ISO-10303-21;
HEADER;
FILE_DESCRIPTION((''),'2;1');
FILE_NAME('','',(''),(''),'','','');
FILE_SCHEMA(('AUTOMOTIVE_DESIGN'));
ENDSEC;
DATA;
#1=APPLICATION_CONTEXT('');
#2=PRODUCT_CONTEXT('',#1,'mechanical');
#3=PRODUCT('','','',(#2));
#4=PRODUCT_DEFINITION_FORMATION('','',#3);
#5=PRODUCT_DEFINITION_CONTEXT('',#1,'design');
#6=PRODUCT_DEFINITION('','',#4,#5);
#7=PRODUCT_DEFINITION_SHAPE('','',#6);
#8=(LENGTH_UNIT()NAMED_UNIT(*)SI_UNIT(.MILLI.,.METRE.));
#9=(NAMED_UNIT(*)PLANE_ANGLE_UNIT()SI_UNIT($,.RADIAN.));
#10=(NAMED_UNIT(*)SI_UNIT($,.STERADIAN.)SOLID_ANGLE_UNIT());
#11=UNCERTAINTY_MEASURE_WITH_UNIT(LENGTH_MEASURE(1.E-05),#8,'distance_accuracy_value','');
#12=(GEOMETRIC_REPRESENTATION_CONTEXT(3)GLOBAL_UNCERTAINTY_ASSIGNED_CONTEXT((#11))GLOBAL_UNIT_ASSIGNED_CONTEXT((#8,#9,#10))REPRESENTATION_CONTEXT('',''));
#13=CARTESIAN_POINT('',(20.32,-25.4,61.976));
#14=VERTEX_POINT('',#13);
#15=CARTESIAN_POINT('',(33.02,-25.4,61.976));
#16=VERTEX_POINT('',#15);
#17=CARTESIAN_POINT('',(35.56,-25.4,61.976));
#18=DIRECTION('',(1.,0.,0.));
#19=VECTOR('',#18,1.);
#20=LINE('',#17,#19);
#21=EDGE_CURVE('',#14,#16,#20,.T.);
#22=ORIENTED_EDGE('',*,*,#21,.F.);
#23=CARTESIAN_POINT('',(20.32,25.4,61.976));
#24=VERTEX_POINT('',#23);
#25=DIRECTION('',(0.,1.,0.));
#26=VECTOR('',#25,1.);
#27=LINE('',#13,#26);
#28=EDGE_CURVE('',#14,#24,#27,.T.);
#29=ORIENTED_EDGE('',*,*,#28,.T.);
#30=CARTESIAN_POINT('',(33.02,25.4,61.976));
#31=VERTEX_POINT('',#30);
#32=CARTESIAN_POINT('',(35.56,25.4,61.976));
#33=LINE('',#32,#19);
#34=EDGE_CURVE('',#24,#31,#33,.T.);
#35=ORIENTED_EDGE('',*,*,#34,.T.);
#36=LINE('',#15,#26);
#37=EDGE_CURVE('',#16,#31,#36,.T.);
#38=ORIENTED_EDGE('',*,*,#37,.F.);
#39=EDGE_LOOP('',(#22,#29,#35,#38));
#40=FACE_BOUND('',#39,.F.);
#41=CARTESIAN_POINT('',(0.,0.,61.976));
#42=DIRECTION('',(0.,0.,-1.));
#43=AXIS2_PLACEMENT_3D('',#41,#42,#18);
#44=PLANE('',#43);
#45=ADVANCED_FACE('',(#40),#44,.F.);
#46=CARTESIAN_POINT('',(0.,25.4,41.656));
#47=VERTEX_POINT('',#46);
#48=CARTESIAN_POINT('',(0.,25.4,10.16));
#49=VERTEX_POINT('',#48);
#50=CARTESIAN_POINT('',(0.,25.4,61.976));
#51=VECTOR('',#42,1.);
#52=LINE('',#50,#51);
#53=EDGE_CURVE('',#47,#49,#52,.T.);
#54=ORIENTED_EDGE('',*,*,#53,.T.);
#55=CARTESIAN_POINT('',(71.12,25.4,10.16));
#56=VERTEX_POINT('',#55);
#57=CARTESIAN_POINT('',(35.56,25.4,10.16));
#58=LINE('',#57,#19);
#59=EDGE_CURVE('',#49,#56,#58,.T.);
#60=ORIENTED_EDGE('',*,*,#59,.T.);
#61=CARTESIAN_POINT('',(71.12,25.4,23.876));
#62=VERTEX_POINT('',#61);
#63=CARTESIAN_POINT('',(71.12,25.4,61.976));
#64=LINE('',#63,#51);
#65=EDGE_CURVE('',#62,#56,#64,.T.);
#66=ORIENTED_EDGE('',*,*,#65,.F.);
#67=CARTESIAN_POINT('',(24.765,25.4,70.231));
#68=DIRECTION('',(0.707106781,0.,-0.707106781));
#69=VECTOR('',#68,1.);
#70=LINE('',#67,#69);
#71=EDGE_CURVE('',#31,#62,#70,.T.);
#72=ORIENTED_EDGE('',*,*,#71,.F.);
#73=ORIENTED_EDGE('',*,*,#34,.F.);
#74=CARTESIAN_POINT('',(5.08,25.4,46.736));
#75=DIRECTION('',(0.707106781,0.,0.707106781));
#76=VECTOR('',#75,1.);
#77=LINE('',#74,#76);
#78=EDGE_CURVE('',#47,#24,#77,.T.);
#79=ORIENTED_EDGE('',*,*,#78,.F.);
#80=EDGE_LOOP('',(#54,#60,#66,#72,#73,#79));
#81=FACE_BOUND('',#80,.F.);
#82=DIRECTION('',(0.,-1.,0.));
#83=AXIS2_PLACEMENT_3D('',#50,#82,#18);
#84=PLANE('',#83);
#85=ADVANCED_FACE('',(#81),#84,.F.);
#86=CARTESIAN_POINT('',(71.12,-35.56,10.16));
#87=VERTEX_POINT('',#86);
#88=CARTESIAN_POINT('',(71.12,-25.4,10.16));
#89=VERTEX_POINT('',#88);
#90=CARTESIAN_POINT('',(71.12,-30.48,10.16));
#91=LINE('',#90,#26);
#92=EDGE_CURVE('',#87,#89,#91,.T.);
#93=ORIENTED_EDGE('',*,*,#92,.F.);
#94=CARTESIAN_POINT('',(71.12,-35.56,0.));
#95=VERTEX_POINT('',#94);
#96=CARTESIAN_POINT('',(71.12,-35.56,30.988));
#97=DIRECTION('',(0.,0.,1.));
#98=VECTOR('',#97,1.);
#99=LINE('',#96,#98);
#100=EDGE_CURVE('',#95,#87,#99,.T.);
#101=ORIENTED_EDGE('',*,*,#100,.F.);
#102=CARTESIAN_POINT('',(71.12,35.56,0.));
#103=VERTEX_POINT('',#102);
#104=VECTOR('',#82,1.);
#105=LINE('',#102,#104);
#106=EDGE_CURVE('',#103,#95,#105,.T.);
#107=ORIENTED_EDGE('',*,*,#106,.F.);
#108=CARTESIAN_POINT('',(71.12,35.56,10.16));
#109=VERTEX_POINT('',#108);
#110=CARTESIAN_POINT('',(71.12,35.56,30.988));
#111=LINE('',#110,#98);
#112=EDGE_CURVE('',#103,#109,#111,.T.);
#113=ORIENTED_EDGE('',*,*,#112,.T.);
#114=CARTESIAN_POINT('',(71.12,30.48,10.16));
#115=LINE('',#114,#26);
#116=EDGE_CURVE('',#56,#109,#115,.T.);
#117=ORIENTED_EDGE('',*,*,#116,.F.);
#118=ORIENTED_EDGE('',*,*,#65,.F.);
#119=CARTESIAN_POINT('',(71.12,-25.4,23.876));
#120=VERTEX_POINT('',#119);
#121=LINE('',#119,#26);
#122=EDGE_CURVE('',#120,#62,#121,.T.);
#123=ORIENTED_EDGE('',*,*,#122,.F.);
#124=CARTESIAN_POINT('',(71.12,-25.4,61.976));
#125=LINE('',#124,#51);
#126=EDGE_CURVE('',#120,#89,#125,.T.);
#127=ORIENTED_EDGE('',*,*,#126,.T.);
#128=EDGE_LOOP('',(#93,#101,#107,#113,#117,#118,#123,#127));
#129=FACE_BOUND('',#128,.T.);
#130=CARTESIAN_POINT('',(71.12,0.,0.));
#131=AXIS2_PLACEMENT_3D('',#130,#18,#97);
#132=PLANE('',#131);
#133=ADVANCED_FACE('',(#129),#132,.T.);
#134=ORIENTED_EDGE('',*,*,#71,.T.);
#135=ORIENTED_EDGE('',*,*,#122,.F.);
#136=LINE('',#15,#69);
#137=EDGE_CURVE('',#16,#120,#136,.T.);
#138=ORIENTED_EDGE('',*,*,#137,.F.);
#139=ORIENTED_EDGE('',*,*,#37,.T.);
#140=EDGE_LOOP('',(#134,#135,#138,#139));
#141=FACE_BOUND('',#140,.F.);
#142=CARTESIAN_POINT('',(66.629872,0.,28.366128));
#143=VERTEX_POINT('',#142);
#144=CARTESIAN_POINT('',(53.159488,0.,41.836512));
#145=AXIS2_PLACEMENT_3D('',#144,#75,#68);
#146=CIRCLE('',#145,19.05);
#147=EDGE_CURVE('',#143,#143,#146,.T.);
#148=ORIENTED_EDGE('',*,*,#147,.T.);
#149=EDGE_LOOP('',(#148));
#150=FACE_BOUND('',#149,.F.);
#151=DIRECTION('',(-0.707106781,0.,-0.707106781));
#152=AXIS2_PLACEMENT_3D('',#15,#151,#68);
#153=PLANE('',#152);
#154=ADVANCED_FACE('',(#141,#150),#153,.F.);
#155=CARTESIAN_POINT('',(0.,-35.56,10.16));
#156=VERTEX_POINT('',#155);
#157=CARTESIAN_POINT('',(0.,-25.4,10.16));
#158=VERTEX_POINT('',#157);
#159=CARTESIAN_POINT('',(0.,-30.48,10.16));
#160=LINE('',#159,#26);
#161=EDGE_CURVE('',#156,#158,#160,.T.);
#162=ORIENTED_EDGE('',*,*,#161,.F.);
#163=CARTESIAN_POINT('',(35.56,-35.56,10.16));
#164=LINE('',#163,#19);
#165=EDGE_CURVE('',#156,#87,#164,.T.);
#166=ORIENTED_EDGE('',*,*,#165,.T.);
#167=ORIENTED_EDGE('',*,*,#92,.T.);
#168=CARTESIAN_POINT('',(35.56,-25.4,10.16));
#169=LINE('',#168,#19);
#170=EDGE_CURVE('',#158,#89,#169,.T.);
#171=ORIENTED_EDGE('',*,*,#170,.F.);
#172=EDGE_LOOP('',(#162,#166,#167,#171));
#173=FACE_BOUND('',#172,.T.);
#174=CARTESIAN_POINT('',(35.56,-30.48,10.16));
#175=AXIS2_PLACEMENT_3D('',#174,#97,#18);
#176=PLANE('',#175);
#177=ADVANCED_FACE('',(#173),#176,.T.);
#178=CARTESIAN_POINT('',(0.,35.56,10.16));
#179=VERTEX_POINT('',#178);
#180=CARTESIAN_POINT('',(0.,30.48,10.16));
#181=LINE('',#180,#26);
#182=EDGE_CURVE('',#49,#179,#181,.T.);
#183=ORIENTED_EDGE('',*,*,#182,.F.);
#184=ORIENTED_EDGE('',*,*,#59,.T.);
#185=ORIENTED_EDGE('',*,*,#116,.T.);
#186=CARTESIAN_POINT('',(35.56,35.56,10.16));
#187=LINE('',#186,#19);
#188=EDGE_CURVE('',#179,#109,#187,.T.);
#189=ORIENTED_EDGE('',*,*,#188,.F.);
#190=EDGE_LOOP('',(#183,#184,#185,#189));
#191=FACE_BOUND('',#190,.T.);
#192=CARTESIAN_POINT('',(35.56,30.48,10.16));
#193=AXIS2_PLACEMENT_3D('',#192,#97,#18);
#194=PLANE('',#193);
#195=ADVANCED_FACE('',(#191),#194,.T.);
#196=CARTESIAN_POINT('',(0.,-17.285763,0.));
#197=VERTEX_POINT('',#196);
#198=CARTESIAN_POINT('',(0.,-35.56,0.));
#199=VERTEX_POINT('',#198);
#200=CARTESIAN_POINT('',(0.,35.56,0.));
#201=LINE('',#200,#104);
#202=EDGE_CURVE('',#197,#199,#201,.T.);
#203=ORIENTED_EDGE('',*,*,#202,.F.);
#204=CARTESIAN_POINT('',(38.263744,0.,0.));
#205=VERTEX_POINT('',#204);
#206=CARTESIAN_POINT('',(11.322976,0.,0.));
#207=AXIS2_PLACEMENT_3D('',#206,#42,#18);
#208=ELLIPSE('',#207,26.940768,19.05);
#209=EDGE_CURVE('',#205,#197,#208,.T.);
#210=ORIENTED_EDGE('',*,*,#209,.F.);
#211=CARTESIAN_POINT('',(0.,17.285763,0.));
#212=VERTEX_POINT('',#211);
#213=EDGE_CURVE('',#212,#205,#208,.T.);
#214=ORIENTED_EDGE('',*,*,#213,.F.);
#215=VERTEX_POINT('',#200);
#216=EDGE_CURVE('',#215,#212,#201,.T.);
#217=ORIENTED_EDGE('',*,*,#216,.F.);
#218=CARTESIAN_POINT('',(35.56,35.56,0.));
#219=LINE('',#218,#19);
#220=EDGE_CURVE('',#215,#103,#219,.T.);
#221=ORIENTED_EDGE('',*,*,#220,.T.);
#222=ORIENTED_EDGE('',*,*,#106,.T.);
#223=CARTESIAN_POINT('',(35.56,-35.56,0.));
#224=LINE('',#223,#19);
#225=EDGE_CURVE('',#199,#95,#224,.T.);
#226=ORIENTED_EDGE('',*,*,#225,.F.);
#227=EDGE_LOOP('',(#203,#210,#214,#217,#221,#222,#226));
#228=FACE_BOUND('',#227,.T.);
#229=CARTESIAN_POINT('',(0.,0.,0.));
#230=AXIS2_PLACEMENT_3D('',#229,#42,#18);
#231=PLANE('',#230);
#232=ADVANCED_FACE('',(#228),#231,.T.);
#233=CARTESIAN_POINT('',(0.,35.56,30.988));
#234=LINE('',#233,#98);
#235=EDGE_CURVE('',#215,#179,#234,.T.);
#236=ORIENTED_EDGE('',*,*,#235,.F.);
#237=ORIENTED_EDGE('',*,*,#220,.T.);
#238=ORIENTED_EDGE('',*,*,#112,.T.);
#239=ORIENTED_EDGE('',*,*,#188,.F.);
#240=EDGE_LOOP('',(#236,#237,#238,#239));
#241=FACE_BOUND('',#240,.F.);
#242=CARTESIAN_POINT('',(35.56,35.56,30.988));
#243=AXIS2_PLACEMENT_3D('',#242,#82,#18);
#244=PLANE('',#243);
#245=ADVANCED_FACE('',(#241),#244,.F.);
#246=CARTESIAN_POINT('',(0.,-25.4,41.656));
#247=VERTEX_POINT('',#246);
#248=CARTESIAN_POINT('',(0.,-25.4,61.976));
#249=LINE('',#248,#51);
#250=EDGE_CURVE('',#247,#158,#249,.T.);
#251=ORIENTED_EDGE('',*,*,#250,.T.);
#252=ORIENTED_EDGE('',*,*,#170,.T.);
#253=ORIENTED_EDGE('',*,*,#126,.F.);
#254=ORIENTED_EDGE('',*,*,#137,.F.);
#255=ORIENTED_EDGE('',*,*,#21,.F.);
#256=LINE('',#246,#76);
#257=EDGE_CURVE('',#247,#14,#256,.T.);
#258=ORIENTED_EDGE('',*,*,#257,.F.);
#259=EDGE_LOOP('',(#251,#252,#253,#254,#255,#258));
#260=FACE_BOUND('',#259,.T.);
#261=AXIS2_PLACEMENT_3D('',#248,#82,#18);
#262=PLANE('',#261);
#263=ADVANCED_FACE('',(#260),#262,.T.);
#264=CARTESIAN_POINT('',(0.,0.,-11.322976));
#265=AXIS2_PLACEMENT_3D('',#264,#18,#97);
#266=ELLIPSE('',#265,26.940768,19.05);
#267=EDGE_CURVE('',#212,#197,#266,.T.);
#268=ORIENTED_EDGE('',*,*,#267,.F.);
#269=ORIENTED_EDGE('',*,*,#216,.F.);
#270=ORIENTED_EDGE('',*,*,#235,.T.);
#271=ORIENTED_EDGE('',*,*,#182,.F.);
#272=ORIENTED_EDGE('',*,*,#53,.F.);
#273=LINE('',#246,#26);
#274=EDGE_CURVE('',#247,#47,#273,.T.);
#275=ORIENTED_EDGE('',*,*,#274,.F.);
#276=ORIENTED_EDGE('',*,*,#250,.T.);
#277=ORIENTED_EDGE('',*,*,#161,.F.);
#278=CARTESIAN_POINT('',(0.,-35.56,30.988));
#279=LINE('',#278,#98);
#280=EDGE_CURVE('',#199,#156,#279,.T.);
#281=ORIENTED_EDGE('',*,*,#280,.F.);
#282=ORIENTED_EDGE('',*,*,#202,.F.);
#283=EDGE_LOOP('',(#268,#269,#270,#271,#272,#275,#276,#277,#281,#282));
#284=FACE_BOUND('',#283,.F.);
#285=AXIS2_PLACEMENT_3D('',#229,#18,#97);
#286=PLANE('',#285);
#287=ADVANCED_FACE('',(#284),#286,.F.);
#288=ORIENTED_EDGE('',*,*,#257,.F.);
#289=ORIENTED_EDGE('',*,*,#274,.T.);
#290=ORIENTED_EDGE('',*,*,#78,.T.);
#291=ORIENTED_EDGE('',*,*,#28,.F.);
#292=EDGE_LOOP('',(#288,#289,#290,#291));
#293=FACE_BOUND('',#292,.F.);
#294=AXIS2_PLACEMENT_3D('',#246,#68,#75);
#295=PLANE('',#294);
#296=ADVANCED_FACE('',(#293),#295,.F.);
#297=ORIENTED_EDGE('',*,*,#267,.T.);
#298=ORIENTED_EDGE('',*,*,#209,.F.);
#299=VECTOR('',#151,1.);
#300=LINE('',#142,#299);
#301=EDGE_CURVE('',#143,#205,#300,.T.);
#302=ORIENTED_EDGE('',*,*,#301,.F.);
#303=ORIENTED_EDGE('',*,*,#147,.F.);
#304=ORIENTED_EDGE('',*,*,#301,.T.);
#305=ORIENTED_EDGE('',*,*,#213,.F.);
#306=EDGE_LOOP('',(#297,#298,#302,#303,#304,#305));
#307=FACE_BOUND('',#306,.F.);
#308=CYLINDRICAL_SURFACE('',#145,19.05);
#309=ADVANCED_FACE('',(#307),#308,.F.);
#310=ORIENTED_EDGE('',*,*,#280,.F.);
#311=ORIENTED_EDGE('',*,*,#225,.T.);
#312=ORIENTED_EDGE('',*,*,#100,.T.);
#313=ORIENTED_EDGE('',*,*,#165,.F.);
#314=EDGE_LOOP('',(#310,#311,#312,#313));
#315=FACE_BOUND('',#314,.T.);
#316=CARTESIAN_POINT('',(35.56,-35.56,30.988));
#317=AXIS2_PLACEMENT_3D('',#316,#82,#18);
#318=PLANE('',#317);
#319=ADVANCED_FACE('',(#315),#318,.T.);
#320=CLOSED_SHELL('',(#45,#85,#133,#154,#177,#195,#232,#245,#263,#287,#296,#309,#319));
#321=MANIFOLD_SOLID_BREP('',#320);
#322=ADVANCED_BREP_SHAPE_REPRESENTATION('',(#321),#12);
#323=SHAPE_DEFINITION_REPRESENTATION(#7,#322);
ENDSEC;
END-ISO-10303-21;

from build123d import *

# Parameters (mm, degrees)
F0_W     = 71.12
F0_H     = 61.976
F1_DEPTH = 35.56
F2_W     = 71.12
F2_H     = 10.16
F3_DEPTH = 51.816
F5_DEPTH = 60.961
F6_R     = 19.05
F7_DEPTH = 67.173316


with BuildPart() as f1:
    # F0 (on Front) → F1 (new body, symmetric)
    with BuildSketch(Plane.XZ):
        with Locations((35.56, 30.988)):
            Rectangle(F0_W, F0_H)
    extrude(amount=F1_DEPTH, both=True)

    # F2 (on face) → F3 (cut)
    with BuildSketch(Plane.XY.offset(61.976)):
        with Locations((35.56, -30.48)):
            Rectangle(F2_W, F2_H)
        with Locations((35.56, 30.48)):
            Rectangle(F2_W, F2_H)
    extrude(amount=-F3_DEPTH, mode=Mode.SUBTRACT)

    # F4 (on face) → F5 (cut, through all)
    with BuildSketch(Plane.XZ.offset(25.4)):
        Polygon((0, 61.976), (0, 41.656), (20.32, 61.976), align=None)
        Polygon((71.12, 61.976), (33.02, 61.976), (71.12, 23.876), align=None)
    extrude(amount=-F5_DEPTH, mode=Mode.SUBTRACT)

    # F6 (on face) → F7 (cut, through all)
    with BuildSketch(Plane(origin=(47.498, 0, 47.498), x_dir=(0.707107, 0, -0.707107), z_dir=(0.707107, 0, 0.707107))):
        with Locations((8.006553, 0)):
            Circle(F6_R)
    extrude(amount=-F7_DEPTH, mode=Mode.SUBTRACT)


solid = f1.part
